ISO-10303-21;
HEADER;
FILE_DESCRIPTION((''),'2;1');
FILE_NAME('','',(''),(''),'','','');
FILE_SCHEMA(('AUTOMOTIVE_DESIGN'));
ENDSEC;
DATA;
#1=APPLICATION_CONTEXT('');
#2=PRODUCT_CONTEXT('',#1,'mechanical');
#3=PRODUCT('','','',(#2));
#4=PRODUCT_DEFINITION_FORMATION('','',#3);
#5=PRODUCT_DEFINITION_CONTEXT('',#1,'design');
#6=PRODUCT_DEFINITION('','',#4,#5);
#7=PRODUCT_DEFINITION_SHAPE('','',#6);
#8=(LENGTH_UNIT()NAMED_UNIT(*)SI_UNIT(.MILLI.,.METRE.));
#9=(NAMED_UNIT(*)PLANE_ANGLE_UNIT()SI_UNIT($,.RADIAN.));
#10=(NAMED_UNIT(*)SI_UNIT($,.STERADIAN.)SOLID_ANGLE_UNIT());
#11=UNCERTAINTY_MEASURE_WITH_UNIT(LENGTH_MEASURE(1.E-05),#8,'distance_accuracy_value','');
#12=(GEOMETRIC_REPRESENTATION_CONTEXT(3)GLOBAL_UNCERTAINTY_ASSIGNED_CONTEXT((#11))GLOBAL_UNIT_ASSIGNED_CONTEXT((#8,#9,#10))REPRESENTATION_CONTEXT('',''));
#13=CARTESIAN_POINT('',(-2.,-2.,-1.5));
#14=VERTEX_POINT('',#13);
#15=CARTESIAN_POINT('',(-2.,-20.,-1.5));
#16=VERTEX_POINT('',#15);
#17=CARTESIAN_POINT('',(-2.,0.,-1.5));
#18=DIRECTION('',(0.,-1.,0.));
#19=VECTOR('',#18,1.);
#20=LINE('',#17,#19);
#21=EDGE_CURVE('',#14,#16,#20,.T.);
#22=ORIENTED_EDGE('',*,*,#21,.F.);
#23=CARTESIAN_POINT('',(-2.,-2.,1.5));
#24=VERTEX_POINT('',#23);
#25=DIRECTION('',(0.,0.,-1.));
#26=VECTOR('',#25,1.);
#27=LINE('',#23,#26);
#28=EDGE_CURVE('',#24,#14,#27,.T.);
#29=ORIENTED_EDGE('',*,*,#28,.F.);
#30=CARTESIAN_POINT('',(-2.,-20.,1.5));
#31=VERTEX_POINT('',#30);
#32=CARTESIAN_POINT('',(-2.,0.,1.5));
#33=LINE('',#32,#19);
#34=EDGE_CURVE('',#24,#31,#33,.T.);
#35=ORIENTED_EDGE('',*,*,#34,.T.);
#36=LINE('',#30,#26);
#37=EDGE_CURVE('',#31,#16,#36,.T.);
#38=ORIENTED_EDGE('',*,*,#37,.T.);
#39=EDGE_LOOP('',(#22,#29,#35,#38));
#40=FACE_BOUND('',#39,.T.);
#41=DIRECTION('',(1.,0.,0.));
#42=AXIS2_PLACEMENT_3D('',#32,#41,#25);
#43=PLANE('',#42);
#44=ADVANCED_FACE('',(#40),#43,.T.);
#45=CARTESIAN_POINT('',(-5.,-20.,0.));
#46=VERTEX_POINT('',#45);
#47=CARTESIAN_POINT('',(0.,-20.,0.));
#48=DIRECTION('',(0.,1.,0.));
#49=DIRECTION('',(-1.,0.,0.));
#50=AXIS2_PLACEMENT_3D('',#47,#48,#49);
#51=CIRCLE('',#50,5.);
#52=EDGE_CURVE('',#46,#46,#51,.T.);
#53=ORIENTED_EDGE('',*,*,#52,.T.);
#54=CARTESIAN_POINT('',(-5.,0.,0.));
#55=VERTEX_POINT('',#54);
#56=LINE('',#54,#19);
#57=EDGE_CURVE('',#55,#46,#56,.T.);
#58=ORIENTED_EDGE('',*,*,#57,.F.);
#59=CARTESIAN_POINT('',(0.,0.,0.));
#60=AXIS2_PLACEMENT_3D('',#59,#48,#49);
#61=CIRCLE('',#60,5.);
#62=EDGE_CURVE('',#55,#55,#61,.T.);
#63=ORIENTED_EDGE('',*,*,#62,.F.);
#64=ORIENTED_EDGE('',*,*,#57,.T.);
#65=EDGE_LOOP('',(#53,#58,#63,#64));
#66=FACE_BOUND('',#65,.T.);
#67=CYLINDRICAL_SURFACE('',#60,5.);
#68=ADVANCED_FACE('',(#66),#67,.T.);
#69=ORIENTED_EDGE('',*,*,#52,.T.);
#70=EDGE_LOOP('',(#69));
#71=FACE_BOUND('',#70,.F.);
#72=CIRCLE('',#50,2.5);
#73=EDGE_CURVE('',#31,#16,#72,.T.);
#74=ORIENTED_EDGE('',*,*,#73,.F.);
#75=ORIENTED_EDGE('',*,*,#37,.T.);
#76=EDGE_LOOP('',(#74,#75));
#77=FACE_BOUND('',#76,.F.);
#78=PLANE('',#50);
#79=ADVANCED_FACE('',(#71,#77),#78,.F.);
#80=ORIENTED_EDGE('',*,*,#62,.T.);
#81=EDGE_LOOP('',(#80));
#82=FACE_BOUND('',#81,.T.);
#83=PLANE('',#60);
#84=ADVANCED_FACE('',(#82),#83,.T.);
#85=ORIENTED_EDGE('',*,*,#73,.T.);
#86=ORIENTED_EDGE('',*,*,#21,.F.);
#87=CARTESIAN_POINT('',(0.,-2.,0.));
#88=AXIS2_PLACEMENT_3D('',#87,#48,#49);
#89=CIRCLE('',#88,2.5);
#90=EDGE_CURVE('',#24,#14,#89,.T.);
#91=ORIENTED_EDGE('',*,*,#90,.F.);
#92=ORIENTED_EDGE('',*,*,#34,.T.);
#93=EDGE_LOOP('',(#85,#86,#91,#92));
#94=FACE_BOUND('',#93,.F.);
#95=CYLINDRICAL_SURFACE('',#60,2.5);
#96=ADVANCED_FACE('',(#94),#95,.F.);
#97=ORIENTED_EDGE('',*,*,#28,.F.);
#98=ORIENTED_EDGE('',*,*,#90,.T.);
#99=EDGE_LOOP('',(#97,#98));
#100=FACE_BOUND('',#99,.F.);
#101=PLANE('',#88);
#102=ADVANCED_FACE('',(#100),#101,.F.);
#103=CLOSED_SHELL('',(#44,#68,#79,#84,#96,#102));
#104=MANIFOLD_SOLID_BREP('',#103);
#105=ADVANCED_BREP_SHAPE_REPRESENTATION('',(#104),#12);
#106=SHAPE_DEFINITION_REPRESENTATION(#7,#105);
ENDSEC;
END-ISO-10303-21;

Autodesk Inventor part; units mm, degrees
ref_plane "YZ Plane" through (0, 0, 0) normal (1, 0, 0) x (0, 1, 0)
ref_plane "XZ Plane" through (0, 0, 0) normal (0, 1, 0) x (-1, 0, 0)
ref_plane "XY Plane" through (0, 0, 0) normal (0, 0, 1) x (1, 0, 0)
sketch "Sketch1" plane through (0, 0, 0) normal (0, 1, 0) x (-1, 0, 0)
  circle A0 centre (0, 0) radius 2.5
  line L0 (2, 1.5) -> (2, -1.5)
  circle A1 centre (0, 0) radius 5
  dimension "d0" = 5
  dimension "d1" = 0.5
  dimension "d2" = 10
extrude "Extrusion1" add sketch "Sketch1" against normal blind 20 contours A0 L0 | A1 picked at (2.0912, -0.3466)
extrude "Extrusion2" add sketch "Sketch1" against normal blind 2 contours L0 A0 picked at (0.2258, 0.7583)
properties part number "motor-gear-base"
